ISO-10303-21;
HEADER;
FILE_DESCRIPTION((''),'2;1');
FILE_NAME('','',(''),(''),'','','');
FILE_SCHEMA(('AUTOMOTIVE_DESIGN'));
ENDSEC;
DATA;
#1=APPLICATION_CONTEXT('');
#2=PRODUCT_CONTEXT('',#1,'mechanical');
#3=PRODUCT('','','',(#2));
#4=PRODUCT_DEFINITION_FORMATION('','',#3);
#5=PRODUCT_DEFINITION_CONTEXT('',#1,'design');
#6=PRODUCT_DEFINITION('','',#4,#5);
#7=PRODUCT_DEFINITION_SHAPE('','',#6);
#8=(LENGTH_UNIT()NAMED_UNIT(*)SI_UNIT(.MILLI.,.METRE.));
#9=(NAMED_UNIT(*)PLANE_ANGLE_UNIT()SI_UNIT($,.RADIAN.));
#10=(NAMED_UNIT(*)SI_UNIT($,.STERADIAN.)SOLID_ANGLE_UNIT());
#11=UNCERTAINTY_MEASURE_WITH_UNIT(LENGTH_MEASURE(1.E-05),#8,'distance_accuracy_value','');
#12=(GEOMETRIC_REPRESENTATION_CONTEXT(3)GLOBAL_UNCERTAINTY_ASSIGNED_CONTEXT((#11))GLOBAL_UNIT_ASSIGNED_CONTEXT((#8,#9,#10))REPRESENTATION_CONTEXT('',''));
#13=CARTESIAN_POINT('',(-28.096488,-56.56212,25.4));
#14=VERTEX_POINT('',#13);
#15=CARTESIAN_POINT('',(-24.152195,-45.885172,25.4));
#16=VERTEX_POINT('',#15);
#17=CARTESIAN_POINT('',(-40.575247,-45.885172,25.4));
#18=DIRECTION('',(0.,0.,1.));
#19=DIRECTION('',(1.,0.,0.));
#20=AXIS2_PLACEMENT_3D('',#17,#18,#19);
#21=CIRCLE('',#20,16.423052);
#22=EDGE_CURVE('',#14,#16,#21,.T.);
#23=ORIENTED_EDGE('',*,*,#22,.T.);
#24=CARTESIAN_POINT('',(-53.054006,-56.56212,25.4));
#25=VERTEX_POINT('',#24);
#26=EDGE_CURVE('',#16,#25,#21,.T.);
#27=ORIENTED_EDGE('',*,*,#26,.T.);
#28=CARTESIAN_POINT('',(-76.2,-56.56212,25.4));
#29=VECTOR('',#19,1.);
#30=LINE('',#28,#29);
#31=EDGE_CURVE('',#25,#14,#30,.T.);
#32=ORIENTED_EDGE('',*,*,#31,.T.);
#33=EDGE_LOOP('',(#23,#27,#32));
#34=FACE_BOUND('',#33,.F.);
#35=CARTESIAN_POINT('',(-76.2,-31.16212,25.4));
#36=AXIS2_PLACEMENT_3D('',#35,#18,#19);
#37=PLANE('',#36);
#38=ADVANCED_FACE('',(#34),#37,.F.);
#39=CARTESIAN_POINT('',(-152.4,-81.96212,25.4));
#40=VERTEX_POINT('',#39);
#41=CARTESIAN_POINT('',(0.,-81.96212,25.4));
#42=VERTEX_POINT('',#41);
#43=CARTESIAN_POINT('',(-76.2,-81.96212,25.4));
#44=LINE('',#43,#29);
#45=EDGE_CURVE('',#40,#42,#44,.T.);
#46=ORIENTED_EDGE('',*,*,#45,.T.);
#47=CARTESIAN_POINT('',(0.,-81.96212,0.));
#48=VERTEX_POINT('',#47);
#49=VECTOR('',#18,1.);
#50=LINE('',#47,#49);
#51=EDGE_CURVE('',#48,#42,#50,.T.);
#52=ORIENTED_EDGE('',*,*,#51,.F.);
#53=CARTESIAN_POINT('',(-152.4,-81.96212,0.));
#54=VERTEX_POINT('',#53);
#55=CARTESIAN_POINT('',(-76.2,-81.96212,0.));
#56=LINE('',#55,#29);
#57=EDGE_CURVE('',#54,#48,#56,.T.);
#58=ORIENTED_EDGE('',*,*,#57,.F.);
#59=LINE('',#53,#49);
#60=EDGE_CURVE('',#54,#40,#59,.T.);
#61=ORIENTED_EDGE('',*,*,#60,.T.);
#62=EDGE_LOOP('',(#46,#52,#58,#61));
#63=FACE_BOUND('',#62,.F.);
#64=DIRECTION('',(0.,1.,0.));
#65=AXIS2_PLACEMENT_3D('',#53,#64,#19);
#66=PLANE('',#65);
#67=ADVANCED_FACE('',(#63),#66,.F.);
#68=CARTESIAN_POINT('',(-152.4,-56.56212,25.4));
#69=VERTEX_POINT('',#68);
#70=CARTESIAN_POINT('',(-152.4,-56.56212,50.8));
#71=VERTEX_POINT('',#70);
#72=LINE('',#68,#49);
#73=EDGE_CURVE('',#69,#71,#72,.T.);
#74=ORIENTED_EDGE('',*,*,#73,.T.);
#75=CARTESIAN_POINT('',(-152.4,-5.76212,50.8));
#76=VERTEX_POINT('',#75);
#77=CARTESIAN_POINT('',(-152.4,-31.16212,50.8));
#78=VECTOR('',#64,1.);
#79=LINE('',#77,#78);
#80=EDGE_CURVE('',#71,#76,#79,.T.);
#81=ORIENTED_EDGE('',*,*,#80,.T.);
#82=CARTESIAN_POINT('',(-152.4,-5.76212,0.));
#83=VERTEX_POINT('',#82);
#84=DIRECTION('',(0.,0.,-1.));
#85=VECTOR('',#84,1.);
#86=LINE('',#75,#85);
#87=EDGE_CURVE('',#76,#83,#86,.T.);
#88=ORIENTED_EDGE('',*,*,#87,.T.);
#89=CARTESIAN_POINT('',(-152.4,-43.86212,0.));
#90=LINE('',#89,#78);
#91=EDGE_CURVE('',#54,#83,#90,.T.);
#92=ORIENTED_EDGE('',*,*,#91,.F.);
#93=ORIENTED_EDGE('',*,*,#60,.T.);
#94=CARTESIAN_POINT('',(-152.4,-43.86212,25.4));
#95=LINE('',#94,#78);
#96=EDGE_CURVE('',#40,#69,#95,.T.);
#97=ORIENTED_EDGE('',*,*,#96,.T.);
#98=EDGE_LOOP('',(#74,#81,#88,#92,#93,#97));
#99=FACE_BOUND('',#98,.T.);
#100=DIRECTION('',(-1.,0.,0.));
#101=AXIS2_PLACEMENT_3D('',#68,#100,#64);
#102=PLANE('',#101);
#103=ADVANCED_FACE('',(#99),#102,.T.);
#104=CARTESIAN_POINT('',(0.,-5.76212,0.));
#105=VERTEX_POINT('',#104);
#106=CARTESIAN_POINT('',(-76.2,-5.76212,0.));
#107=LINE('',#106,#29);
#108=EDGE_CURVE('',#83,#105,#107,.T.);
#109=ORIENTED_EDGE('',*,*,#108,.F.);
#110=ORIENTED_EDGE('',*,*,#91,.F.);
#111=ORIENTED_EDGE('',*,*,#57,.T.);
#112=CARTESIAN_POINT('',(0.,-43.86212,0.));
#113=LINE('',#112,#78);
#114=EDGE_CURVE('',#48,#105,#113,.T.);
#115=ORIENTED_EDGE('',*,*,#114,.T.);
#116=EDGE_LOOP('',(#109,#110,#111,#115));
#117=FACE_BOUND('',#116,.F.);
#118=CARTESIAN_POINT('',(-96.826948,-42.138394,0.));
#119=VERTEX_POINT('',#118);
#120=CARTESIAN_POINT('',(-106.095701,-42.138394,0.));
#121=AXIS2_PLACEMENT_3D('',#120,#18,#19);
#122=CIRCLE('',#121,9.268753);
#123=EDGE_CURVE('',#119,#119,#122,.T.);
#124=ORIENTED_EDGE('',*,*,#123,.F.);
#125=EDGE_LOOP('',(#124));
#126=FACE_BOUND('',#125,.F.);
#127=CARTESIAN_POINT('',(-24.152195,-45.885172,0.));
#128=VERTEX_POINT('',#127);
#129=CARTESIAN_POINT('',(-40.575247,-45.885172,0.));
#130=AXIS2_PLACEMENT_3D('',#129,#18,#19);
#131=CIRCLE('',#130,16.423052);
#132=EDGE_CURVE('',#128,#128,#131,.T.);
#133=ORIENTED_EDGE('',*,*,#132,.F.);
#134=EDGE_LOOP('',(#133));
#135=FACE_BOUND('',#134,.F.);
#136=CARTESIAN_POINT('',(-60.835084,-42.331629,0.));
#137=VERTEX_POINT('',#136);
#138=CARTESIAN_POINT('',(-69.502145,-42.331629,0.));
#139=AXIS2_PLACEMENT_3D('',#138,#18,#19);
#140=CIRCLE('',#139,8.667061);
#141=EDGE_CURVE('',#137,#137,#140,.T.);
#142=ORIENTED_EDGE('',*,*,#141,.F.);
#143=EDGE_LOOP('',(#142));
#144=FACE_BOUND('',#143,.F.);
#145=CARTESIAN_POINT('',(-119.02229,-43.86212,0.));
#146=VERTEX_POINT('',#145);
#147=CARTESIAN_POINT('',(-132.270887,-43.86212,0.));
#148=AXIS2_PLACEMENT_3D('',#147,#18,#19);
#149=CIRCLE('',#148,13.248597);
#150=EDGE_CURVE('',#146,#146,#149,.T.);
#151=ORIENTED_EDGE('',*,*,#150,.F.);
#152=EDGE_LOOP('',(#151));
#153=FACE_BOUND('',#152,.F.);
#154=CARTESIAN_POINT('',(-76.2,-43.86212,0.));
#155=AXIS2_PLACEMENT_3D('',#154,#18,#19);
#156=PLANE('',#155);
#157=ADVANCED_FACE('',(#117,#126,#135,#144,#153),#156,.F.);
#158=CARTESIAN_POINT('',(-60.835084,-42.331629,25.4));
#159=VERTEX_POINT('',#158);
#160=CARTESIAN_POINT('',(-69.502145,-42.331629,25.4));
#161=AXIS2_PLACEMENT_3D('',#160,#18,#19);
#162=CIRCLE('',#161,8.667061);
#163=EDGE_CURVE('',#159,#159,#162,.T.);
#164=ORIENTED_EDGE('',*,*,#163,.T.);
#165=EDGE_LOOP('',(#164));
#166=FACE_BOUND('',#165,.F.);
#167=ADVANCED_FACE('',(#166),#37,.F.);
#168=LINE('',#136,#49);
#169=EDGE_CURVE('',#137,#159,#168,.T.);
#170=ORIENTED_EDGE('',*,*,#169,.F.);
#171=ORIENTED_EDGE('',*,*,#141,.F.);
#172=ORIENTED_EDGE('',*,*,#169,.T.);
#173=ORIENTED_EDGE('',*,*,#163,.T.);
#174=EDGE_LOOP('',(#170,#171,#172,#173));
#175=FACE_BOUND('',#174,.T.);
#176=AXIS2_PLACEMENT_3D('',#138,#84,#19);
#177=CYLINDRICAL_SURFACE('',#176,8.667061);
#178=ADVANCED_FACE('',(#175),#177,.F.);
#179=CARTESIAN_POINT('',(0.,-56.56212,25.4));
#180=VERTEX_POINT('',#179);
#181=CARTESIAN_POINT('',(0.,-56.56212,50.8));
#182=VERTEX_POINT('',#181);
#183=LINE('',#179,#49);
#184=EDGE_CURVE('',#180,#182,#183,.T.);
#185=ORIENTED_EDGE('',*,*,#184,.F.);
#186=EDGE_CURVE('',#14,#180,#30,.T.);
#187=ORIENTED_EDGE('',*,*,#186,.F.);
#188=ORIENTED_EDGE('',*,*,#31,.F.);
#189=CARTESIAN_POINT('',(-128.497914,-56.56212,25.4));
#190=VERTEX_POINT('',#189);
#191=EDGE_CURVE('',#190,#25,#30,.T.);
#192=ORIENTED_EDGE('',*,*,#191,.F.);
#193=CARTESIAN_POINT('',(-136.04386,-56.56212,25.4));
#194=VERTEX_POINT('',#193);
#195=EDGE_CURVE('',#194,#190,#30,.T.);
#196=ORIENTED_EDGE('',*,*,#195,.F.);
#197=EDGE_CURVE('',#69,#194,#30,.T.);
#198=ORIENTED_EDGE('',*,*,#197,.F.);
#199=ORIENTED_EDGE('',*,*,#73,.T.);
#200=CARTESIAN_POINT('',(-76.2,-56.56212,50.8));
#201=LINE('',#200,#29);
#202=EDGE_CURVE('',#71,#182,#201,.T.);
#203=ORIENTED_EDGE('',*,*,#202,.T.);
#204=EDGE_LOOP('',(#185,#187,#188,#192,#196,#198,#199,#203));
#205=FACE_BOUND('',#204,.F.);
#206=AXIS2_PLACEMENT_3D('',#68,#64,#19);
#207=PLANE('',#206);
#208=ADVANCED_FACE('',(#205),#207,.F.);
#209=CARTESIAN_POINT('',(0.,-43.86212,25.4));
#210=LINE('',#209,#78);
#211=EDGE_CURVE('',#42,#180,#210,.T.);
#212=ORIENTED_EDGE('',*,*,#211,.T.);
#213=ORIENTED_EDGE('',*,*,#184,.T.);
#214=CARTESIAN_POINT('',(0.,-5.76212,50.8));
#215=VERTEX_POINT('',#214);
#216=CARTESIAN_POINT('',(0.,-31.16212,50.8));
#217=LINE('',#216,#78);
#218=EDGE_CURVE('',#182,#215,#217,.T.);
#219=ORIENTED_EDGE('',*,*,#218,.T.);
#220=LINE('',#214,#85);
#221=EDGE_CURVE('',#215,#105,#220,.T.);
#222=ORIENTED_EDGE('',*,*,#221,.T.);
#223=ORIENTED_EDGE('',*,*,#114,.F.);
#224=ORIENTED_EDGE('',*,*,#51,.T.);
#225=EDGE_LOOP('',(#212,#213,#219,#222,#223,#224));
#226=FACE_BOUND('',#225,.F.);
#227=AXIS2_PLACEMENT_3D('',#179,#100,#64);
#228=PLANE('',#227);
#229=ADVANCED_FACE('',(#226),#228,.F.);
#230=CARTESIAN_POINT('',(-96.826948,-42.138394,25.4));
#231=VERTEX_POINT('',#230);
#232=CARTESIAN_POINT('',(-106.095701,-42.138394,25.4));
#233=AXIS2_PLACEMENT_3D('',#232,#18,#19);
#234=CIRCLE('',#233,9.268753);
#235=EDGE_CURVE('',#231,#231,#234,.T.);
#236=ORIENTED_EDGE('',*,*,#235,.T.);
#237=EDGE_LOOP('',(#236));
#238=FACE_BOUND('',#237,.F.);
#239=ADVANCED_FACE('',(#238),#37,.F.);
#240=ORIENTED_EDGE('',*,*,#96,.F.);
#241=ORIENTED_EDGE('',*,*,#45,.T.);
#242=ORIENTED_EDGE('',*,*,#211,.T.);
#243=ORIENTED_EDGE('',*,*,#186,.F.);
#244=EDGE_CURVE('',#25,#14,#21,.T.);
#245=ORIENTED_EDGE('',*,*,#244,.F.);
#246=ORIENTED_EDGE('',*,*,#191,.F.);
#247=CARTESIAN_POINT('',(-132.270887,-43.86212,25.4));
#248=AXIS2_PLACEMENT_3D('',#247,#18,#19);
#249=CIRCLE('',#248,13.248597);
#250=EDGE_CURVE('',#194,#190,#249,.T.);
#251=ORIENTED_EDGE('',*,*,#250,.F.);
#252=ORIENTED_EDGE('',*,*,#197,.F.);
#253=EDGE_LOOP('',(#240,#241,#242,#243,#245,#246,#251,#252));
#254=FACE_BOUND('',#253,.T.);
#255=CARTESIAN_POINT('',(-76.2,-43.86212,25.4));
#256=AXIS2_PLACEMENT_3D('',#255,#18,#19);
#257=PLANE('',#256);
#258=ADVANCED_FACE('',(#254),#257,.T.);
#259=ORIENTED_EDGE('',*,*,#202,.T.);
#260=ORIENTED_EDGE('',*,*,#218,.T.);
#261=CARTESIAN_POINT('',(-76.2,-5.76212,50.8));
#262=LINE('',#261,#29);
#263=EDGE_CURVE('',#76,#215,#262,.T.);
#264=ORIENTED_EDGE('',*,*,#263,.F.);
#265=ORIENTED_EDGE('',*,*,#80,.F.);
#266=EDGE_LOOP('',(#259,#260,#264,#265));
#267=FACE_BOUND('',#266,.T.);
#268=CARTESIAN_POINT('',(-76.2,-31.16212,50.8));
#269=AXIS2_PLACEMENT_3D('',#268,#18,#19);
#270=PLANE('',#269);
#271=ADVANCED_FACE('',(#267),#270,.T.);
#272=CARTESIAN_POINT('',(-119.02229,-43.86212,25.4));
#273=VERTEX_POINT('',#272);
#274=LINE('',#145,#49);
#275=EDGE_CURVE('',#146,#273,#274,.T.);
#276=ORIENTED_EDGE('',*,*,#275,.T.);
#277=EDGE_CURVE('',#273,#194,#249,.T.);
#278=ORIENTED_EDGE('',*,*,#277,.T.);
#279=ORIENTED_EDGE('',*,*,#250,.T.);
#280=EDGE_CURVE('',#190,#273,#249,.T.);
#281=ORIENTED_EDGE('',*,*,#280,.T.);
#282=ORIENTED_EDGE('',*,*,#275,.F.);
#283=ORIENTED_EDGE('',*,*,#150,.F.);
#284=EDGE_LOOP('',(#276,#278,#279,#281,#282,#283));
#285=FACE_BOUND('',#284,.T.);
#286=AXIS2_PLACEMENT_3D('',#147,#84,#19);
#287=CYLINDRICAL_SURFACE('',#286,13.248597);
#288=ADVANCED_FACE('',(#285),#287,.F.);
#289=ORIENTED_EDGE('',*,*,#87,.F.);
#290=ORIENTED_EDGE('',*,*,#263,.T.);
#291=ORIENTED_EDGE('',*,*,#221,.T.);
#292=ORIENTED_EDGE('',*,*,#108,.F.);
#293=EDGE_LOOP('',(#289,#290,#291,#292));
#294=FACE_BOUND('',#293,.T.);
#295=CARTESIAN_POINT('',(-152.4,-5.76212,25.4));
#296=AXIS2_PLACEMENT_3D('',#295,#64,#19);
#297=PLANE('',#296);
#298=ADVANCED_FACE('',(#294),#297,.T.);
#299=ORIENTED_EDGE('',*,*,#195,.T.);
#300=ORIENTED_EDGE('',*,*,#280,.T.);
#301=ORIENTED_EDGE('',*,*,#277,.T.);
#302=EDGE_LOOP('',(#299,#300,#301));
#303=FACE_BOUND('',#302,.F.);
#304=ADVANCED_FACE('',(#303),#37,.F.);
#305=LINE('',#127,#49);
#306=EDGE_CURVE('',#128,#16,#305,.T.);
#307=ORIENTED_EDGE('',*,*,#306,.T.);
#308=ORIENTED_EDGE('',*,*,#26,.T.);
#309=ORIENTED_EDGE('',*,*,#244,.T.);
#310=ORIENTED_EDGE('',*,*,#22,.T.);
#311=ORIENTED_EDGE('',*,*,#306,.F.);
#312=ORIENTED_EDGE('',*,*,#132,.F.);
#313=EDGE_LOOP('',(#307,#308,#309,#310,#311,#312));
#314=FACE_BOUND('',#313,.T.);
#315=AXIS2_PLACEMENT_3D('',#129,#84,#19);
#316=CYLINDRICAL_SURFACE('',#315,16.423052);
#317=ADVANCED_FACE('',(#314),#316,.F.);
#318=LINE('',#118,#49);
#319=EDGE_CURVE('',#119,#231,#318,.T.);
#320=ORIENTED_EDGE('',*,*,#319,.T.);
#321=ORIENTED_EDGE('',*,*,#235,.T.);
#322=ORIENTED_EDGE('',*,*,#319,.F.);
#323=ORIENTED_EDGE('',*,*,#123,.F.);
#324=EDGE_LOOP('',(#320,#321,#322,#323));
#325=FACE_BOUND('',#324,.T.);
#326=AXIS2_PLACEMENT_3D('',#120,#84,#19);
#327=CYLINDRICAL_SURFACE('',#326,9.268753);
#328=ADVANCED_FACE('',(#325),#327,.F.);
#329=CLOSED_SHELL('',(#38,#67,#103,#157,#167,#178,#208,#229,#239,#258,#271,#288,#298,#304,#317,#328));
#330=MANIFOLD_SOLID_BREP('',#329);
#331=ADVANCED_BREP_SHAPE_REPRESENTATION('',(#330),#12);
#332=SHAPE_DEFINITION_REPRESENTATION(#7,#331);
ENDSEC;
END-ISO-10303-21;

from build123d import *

# Parameters (mm, degrees)
F0_W     = 152.4
F0_H     = 76.2
F0_R     = 16.423052
F0_R_2   = 13.248597
F0_R_3   = 9.268753
F0_R_4   = 8.667061
F1_DEPTH = 25.4
F2_W     = 152.4
F2_H     = 50.8
F3_DEPTH = 25.4


with BuildPart() as f1:
    # F0 (on Top) → F1 (new body)
    with BuildSketch(Plane.XY):
        with Locations((-76.2, -43.86212)):
            Rectangle(F0_W, F0_H)
        with Locations((-40.575247, -45.885172)):
            Circle(F0_R, mode=Mode.SUBTRACT)
        with Locations((-132.270887, -43.86212)):
            Circle(F0_R_2, mode=Mode.SUBTRACT)
        with Locations((-106.095701, -42.138394)):
            Circle(F0_R_3, mode=Mode.SUBTRACT)
        with Locations((-69.502145, -42.331629)):
            Circle(F0_R_4, mode=Mode.SUBTRACT)
    extrude(amount=F1_DEPTH)

    # F2 (on face) → F3 (join)
    with BuildSketch(Plane.XY.offset(25.4)):
        with Locations((-76.2, -31.16212)):
            Rectangle(F2_W, F2_H)
    extrude(amount=F3_DEPTH)


solid = f1.part
